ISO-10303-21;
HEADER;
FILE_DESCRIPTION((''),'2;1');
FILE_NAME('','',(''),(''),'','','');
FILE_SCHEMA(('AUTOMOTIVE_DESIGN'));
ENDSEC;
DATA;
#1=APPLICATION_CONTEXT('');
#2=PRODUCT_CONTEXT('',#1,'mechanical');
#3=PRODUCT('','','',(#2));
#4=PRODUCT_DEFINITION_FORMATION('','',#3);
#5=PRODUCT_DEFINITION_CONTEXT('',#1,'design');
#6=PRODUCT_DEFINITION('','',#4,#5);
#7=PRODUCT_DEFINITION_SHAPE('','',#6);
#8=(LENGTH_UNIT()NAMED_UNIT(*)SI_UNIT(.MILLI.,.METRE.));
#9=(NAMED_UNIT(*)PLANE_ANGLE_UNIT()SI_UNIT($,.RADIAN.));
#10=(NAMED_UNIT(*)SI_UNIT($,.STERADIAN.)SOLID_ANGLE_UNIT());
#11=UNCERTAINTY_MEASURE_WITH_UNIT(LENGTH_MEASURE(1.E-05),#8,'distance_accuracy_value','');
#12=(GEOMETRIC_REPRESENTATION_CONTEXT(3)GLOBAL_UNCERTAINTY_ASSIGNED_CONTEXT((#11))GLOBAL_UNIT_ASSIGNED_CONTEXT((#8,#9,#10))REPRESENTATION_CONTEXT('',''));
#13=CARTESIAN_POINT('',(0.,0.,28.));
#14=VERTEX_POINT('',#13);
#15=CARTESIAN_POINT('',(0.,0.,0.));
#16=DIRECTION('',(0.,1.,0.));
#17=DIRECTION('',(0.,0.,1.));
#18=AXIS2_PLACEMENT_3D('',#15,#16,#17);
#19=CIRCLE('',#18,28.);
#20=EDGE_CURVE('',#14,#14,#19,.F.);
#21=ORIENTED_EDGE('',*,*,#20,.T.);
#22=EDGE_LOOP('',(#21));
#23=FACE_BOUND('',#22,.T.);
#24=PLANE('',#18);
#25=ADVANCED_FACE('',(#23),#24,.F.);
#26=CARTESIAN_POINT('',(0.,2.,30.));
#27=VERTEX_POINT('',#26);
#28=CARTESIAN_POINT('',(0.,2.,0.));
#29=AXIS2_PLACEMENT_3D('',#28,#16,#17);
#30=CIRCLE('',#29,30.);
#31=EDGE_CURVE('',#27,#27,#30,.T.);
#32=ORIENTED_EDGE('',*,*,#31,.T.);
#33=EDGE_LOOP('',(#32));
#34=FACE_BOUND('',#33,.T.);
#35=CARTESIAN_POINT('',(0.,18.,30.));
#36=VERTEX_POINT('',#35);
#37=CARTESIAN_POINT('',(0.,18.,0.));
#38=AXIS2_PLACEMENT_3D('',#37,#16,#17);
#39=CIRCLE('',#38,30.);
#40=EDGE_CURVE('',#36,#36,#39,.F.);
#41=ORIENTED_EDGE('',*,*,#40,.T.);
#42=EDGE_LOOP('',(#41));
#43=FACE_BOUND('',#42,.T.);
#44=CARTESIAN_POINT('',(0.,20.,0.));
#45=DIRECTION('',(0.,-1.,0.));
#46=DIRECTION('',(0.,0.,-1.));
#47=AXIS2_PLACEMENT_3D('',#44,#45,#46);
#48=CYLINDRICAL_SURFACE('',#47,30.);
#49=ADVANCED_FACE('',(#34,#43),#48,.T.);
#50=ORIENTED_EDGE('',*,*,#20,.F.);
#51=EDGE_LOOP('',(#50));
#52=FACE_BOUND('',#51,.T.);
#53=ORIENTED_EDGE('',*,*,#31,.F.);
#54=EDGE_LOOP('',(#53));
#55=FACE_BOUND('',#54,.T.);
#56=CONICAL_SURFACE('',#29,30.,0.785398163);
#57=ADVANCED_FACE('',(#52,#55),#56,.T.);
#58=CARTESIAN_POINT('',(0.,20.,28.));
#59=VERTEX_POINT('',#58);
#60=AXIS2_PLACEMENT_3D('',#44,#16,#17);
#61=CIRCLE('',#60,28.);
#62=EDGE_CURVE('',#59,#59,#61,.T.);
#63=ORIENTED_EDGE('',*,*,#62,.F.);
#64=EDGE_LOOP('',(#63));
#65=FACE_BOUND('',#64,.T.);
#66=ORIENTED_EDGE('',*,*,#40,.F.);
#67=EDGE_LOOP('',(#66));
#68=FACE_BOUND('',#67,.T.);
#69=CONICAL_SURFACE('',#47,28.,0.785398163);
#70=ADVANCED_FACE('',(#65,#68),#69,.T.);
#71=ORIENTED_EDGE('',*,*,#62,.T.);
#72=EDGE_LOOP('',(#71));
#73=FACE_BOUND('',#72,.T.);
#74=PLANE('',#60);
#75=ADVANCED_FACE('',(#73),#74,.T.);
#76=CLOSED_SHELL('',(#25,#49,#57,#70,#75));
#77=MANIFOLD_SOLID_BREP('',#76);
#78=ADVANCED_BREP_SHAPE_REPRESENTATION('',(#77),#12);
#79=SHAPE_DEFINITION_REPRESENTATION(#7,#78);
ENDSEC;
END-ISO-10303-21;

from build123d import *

# Parameters (mm, degrees)
SKETCH_1_R      = 30
EXTRUDE_1_DEPTH = 20
CHAMFER_1_SIZE  = 2


with BuildPart() as part:
    # Эскиз1 → Бобышка-Вытянуть1 (new body)
    with BuildSketch(Plane(origin=(0, 0, 0), x_dir=(1, 0, 0), z_dir=(0, 1, 0))):
        with Locations(Location((0, 0, 0), (0, 0, 270))):
            Circle(SKETCH_1_R)
    extrude(amount=EXTRUDE_1_DEPTH)

    # Фаска1
    chamfer_1_edges = [part.edges().sort_by_distance(p)[0] for p in [
        (0, 0, -30),
        (0, 20, -30),
    ]]
    chamfer(chamfer_1_edges, length=CHAMFER_1_SIZE)


solid = part.part
